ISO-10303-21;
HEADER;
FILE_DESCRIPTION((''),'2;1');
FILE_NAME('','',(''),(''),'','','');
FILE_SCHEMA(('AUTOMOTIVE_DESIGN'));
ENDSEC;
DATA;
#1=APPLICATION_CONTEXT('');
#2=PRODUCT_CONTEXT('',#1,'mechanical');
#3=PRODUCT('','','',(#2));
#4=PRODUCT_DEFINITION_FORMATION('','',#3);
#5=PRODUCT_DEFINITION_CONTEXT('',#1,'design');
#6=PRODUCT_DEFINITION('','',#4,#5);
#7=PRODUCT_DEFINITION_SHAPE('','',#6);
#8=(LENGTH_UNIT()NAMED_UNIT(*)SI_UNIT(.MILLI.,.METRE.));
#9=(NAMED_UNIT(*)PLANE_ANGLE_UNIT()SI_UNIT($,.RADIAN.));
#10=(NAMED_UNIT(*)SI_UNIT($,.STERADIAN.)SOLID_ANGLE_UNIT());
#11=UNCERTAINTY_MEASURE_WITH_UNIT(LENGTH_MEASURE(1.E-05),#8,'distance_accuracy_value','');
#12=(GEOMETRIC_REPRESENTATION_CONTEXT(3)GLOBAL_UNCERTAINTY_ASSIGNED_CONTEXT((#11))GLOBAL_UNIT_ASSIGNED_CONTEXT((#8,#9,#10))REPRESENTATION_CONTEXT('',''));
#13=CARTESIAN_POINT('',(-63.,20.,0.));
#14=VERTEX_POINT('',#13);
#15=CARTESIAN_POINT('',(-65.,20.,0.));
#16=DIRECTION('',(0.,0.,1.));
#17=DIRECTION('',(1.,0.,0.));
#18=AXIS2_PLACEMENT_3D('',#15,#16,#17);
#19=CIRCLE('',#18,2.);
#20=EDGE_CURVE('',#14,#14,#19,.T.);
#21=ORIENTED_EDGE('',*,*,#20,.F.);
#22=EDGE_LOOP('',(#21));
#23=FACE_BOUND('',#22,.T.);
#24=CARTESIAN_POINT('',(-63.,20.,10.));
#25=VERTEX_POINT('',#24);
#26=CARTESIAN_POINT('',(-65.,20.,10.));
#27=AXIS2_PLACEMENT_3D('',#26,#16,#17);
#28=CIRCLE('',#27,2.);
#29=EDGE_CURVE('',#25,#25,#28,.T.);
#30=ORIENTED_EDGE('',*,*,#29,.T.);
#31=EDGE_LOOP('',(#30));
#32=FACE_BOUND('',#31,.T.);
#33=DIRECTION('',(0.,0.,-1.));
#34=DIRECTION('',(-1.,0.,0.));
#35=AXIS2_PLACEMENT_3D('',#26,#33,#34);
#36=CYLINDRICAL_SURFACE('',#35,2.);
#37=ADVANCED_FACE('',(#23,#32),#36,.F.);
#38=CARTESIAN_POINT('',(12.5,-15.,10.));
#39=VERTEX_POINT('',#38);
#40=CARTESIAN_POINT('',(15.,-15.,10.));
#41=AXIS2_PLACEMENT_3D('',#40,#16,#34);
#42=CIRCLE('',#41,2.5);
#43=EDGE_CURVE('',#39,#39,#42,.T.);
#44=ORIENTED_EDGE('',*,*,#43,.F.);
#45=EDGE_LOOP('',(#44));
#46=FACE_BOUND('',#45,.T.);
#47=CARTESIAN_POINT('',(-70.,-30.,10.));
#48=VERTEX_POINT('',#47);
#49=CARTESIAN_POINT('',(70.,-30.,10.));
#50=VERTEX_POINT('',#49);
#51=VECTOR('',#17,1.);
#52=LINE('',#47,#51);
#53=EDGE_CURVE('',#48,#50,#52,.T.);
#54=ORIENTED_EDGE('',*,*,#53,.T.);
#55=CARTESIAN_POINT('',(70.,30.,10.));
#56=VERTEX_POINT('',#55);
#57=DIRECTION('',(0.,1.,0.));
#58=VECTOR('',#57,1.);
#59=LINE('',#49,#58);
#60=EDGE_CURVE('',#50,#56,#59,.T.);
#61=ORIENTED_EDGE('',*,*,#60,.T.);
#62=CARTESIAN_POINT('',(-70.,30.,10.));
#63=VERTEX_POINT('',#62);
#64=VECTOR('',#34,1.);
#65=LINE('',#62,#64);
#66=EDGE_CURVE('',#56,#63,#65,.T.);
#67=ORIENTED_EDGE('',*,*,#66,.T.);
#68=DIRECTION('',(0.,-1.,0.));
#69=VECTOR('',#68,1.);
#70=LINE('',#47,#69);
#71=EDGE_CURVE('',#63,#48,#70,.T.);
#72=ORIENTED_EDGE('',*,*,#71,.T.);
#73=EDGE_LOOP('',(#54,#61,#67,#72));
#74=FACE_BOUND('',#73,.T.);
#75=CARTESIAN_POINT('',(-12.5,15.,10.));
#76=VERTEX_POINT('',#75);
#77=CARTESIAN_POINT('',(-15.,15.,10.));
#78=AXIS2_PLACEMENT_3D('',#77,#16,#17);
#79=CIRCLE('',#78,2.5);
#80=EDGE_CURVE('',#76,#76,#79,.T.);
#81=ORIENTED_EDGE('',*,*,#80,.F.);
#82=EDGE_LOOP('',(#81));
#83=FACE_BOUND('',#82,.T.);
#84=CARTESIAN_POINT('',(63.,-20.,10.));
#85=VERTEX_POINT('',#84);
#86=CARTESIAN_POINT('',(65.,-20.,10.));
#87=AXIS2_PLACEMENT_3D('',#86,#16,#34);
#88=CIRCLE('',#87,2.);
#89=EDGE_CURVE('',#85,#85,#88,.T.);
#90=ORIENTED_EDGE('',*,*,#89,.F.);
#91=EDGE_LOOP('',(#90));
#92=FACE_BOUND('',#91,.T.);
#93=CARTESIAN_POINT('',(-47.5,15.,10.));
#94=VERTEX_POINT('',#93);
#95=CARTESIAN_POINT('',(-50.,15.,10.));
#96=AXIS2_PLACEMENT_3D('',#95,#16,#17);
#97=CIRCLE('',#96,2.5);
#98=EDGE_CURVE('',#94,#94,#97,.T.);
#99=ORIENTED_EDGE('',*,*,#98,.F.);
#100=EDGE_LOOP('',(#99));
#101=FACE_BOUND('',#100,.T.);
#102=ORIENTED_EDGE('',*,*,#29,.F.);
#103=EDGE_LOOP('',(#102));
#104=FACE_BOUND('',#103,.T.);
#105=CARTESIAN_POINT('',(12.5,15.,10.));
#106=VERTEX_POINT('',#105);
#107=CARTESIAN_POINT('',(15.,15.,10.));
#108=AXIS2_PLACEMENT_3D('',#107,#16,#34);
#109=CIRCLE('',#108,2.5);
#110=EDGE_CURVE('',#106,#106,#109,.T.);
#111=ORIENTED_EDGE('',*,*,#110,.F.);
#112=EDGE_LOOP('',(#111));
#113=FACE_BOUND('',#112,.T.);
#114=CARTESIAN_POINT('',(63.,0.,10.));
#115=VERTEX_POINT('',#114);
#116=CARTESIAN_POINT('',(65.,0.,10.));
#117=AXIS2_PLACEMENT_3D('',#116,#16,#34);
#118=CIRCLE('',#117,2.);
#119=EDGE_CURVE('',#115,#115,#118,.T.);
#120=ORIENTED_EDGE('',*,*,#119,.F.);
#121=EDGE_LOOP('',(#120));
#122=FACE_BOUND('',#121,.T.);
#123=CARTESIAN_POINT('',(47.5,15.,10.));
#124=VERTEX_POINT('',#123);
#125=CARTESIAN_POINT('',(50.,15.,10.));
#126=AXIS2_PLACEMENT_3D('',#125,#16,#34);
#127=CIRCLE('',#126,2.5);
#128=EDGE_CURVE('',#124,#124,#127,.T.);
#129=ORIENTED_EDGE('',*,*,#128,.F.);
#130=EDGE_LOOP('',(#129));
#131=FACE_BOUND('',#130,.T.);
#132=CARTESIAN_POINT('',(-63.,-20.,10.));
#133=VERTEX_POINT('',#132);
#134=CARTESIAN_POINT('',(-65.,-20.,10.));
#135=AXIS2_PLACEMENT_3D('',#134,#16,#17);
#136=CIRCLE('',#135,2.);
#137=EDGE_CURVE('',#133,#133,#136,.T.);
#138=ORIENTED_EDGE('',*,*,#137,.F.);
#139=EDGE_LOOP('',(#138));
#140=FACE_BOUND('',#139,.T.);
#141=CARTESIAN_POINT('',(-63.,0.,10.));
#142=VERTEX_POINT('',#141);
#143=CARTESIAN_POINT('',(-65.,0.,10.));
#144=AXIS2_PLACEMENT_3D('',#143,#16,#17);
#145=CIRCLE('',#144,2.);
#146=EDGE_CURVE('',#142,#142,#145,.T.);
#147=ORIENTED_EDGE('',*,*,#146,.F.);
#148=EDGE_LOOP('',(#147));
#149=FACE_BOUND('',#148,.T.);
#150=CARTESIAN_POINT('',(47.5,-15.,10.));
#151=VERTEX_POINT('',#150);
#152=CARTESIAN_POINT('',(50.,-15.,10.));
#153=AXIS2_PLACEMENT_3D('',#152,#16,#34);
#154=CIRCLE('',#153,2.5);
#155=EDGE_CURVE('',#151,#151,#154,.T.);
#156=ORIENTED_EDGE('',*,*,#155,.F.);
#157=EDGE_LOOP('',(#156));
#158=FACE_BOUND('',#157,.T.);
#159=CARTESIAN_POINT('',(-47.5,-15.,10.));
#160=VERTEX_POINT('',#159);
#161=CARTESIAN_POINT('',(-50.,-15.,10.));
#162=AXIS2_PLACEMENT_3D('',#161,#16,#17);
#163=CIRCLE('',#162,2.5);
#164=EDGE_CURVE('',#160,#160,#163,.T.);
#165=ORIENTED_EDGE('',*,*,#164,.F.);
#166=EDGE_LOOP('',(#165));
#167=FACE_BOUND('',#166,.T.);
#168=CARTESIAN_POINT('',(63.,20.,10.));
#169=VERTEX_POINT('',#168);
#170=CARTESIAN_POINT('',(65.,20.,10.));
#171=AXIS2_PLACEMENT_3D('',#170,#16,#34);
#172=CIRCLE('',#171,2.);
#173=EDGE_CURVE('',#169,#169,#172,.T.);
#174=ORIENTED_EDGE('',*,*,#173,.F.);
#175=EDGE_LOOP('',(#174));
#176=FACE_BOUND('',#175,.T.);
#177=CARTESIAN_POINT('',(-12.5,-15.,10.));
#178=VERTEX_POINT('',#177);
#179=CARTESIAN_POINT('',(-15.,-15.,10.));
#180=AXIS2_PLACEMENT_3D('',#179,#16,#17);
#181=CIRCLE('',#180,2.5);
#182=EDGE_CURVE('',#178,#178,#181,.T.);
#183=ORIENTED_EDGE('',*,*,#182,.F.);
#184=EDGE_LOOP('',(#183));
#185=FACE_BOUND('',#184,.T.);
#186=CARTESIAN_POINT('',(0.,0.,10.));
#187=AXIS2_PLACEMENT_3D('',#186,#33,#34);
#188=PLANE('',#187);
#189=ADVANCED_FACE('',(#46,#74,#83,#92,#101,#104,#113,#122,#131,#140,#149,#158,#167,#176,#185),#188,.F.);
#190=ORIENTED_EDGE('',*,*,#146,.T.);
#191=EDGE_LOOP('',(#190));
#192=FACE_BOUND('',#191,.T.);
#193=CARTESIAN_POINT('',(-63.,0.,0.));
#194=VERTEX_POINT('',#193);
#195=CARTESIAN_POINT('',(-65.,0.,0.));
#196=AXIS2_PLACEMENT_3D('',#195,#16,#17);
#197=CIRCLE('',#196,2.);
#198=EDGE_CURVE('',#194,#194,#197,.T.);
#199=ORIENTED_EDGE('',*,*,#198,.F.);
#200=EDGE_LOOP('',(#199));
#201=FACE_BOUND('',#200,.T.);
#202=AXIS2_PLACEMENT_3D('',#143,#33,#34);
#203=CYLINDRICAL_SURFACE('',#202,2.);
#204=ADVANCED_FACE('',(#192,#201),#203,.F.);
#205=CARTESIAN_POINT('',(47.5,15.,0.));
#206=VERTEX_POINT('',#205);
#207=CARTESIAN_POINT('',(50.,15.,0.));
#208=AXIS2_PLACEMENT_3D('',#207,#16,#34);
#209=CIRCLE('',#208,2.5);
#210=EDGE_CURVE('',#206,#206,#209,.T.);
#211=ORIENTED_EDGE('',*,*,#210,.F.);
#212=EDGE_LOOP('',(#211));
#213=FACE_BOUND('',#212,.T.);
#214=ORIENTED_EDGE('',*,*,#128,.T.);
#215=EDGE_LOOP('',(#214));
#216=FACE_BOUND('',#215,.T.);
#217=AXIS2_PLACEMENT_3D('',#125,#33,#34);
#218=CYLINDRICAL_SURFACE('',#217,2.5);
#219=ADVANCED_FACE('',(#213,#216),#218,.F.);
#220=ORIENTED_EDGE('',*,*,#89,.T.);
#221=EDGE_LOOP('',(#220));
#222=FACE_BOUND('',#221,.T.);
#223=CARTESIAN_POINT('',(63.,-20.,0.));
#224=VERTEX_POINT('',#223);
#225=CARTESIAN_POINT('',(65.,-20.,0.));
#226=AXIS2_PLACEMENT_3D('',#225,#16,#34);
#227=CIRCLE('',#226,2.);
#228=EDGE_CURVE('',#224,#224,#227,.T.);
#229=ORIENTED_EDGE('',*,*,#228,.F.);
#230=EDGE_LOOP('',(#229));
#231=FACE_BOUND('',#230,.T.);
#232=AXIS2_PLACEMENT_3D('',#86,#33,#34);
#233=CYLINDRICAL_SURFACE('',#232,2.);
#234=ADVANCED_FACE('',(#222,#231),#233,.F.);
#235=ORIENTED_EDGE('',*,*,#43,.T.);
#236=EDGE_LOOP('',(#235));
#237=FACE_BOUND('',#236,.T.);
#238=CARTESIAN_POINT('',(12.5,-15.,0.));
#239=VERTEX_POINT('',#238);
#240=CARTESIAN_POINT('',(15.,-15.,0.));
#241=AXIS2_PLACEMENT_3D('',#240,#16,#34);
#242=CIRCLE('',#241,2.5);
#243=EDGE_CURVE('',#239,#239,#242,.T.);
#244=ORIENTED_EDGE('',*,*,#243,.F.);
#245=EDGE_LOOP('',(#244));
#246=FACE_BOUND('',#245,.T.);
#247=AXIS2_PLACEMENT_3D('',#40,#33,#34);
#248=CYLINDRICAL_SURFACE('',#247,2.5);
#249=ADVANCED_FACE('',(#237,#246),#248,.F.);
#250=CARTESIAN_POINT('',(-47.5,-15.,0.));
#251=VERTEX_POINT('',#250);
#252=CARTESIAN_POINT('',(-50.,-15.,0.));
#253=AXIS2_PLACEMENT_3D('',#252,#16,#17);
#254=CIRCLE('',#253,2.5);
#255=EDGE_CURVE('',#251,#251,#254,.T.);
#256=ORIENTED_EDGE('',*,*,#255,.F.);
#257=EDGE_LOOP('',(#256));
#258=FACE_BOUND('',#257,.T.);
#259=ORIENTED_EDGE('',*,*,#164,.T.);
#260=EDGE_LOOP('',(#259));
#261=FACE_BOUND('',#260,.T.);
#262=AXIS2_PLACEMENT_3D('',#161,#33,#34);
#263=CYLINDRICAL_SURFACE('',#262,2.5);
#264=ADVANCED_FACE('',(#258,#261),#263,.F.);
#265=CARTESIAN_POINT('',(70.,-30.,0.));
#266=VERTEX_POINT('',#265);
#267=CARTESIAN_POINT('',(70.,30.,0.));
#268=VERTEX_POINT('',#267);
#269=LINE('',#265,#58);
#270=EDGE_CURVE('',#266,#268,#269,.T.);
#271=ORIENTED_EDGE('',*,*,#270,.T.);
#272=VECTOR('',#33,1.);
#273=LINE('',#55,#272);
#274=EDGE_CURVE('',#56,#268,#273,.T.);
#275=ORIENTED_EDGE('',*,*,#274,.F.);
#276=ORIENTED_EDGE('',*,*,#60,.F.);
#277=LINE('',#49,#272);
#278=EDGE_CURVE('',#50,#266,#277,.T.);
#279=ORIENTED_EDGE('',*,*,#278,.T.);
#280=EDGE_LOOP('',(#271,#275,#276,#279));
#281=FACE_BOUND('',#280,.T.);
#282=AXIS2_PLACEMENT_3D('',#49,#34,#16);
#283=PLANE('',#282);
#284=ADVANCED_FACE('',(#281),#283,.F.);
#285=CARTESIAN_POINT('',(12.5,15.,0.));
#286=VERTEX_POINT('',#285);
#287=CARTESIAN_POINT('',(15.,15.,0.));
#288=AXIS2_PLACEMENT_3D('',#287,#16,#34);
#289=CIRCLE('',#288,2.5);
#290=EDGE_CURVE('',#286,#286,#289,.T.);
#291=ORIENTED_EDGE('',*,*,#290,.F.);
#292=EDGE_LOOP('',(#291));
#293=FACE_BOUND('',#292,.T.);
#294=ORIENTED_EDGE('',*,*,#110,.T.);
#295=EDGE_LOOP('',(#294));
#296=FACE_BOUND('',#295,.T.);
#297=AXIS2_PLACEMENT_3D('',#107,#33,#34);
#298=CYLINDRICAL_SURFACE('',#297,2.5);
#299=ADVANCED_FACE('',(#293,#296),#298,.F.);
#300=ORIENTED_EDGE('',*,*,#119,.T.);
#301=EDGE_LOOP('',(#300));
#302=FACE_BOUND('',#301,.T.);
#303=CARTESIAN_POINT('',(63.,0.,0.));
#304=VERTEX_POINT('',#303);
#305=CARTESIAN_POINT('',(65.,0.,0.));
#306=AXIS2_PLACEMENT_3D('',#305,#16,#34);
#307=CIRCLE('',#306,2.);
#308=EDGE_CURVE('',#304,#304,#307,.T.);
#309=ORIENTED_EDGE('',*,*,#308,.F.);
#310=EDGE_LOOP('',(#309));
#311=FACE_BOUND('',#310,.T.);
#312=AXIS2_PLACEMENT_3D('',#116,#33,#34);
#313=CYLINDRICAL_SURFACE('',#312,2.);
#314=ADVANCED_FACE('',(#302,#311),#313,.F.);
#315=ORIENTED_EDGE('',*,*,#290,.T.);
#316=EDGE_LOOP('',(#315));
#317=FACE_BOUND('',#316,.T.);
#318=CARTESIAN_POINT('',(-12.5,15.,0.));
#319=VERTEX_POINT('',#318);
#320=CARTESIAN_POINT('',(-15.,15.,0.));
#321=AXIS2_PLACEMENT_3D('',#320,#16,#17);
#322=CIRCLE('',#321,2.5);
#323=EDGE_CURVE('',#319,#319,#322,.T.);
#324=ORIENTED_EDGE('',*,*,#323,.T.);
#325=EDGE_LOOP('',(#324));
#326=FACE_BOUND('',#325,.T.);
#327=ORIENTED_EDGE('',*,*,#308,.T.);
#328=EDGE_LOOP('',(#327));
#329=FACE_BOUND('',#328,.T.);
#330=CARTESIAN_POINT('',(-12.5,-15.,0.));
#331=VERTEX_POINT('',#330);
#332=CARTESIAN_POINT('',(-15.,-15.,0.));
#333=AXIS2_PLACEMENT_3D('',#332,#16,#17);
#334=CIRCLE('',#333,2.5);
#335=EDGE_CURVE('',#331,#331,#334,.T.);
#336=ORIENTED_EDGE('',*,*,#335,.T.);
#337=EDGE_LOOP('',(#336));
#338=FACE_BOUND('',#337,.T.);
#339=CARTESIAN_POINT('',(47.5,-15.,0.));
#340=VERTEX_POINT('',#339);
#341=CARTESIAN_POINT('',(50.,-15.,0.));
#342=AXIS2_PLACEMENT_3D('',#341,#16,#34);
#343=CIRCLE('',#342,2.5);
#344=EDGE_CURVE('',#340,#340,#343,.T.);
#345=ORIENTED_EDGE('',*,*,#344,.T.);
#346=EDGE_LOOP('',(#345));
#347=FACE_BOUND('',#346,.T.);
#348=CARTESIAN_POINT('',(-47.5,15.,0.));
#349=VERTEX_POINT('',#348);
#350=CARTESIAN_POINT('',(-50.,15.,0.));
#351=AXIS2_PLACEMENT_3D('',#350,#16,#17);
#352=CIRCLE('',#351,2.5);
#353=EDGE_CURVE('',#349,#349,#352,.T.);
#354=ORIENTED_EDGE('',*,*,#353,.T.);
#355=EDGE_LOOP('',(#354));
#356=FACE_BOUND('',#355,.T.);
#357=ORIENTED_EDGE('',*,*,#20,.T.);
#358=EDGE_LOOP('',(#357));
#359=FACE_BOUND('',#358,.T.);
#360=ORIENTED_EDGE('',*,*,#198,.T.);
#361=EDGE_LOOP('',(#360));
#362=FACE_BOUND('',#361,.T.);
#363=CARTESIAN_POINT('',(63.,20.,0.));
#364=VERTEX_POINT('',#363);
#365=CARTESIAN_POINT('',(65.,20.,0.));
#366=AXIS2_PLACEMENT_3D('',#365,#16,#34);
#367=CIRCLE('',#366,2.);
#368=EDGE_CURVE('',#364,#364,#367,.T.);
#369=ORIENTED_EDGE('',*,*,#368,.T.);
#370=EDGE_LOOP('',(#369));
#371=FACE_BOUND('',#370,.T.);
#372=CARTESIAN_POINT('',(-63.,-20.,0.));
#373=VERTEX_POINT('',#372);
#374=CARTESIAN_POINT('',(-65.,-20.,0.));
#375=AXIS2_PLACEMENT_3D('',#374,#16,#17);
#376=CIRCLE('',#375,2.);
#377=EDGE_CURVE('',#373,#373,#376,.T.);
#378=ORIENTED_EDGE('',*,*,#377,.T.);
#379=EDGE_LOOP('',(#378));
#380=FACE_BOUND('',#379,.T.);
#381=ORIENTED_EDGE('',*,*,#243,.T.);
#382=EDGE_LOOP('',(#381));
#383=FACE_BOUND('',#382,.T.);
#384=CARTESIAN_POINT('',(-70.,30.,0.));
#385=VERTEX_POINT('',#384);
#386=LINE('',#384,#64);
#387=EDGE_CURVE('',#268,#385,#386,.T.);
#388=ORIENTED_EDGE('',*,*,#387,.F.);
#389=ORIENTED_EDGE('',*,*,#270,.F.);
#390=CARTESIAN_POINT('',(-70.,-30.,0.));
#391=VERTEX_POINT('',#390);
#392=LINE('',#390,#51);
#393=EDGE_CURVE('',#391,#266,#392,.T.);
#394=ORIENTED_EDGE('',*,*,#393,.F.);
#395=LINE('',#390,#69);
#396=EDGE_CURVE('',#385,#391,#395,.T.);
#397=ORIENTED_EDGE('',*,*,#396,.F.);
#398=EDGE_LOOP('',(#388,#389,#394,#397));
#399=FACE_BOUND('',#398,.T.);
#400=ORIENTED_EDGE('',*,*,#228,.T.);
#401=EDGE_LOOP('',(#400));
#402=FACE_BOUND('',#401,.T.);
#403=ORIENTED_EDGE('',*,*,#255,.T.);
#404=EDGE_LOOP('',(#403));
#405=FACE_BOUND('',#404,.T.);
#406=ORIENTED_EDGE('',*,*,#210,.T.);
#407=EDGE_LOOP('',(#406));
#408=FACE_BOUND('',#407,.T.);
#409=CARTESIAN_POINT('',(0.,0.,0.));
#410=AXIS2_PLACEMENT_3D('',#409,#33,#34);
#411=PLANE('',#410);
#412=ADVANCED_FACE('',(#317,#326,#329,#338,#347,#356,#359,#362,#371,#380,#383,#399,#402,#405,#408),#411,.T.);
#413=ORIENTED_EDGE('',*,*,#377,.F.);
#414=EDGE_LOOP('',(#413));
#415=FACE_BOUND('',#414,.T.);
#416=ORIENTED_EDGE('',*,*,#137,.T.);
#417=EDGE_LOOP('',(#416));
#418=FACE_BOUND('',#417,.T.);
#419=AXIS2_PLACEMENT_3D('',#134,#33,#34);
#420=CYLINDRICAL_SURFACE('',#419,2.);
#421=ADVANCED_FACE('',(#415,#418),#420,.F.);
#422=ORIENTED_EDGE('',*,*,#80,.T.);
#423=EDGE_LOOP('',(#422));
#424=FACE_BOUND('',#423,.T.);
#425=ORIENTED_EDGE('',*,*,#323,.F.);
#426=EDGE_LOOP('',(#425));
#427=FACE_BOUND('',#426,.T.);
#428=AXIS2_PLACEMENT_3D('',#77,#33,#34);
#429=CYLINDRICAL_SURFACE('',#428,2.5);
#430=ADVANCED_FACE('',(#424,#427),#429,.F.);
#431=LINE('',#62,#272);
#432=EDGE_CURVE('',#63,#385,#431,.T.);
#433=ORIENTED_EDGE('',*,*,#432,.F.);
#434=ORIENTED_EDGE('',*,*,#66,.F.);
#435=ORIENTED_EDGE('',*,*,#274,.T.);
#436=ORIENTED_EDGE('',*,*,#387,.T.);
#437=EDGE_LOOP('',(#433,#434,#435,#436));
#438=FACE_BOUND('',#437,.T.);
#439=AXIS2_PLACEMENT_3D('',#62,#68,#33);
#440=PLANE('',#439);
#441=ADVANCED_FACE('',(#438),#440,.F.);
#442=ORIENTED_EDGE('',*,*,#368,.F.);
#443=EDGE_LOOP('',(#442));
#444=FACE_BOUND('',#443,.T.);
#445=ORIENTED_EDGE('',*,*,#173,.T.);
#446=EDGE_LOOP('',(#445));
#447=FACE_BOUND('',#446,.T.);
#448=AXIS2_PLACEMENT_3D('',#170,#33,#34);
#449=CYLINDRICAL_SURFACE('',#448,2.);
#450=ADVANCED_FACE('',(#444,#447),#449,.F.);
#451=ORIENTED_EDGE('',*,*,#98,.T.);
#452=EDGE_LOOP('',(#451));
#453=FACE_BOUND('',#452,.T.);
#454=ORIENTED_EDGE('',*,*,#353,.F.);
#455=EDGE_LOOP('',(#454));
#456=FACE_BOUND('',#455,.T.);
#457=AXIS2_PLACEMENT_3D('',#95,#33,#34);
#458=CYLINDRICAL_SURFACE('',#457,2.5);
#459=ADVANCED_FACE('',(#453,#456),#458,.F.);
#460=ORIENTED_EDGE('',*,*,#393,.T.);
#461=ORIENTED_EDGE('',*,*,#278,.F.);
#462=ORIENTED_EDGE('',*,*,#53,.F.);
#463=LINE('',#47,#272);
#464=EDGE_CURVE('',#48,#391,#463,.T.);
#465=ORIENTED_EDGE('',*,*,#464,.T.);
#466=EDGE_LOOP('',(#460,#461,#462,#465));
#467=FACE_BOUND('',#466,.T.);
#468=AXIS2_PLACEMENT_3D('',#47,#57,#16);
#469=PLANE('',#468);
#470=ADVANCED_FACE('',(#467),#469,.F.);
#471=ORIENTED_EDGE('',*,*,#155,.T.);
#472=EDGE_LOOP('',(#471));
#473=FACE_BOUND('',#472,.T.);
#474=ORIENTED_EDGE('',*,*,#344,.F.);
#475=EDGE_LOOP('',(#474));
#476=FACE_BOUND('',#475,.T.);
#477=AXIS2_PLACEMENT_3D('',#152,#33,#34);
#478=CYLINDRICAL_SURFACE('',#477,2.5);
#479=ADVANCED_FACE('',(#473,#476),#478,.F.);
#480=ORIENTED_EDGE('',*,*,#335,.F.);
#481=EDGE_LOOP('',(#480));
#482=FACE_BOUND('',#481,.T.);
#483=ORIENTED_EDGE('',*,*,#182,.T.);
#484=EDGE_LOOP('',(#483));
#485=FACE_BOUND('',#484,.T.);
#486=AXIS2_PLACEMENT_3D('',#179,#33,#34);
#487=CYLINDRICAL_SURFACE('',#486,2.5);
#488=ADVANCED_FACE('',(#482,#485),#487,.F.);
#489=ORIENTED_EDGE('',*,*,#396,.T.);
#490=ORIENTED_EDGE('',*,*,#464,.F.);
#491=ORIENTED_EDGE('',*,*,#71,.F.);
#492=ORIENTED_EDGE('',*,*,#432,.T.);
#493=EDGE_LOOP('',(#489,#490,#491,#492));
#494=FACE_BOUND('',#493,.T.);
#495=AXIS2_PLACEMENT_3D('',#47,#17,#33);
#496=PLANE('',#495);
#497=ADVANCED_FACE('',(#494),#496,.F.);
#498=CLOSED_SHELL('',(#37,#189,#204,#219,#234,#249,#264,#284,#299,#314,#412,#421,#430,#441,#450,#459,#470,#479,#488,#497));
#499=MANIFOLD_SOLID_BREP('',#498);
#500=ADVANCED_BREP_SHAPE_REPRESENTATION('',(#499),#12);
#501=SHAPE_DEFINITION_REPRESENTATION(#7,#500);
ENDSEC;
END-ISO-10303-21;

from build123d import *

# Parameters (mm, degrees)
SKETCH_1_W      = 140
SKETCH_1_H      = 60
SKETCH_1_R      = 2
SKETCH_1_R_2    = 2.5
EXTRUDE_1_DEPTH = 10


with BuildPart() as part:
    # Эскиз1 → Бобышка-Вытянуть1 (new body)
    with BuildSketch(Plane.XY):
        Rectangle(SKETCH_1_W, SKETCH_1_H)
        with Locations((-65, 0)):
            Circle(SKETCH_1_R, mode=Mode.SUBTRACT)
        with Locations((-65, 20)):
            Circle(SKETCH_1_R, mode=Mode.SUBTRACT)
        with Locations((-65, -20)):
            Circle(SKETCH_1_R, mode=Mode.SUBTRACT)
        with Locations(Location((65, -20, 0), (0, 0, 180))):
            Circle(SKETCH_1_R, mode=Mode.SUBTRACT)
        with Locations(Location((65, 20, 0), (0, 0, 180))):
            Circle(SKETCH_1_R, mode=Mode.SUBTRACT)
        with Locations(Location((65, 0, 0), (0, 0, 180))):
            Circle(SKETCH_1_R, mode=Mode.SUBTRACT)
        with Locations((-50, 15)):
            Circle(SKETCH_1_R_2, mode=Mode.SUBTRACT)
        with Locations((-50, -15)):
            Circle(SKETCH_1_R_2, mode=Mode.SUBTRACT)
        with Locations((-15, 15)):
            Circle(SKETCH_1_R_2, mode=Mode.SUBTRACT)
        with Locations((-15, -15)):
            Circle(SKETCH_1_R_2, mode=Mode.SUBTRACT)
        with Locations(Location((15, -15, 0), (0, 0, 180))):
            Circle(SKETCH_1_R_2, mode=Mode.SUBTRACT)
        with Locations(Location((15, 15, 0), (0, 0, 180))):
            Circle(SKETCH_1_R_2, mode=Mode.SUBTRACT)
        with Locations(Location((50, -15, 0), (0, 0, 180))):
            Circle(SKETCH_1_R_2, mode=Mode.SUBTRACT)
        with Locations(Location((50, 15, 0), (0, 0, 180))):
            Circle(SKETCH_1_R_2, mode=Mode.SUBTRACT)
    extrude(amount=EXTRUDE_1_DEPTH)


solid = part.part
